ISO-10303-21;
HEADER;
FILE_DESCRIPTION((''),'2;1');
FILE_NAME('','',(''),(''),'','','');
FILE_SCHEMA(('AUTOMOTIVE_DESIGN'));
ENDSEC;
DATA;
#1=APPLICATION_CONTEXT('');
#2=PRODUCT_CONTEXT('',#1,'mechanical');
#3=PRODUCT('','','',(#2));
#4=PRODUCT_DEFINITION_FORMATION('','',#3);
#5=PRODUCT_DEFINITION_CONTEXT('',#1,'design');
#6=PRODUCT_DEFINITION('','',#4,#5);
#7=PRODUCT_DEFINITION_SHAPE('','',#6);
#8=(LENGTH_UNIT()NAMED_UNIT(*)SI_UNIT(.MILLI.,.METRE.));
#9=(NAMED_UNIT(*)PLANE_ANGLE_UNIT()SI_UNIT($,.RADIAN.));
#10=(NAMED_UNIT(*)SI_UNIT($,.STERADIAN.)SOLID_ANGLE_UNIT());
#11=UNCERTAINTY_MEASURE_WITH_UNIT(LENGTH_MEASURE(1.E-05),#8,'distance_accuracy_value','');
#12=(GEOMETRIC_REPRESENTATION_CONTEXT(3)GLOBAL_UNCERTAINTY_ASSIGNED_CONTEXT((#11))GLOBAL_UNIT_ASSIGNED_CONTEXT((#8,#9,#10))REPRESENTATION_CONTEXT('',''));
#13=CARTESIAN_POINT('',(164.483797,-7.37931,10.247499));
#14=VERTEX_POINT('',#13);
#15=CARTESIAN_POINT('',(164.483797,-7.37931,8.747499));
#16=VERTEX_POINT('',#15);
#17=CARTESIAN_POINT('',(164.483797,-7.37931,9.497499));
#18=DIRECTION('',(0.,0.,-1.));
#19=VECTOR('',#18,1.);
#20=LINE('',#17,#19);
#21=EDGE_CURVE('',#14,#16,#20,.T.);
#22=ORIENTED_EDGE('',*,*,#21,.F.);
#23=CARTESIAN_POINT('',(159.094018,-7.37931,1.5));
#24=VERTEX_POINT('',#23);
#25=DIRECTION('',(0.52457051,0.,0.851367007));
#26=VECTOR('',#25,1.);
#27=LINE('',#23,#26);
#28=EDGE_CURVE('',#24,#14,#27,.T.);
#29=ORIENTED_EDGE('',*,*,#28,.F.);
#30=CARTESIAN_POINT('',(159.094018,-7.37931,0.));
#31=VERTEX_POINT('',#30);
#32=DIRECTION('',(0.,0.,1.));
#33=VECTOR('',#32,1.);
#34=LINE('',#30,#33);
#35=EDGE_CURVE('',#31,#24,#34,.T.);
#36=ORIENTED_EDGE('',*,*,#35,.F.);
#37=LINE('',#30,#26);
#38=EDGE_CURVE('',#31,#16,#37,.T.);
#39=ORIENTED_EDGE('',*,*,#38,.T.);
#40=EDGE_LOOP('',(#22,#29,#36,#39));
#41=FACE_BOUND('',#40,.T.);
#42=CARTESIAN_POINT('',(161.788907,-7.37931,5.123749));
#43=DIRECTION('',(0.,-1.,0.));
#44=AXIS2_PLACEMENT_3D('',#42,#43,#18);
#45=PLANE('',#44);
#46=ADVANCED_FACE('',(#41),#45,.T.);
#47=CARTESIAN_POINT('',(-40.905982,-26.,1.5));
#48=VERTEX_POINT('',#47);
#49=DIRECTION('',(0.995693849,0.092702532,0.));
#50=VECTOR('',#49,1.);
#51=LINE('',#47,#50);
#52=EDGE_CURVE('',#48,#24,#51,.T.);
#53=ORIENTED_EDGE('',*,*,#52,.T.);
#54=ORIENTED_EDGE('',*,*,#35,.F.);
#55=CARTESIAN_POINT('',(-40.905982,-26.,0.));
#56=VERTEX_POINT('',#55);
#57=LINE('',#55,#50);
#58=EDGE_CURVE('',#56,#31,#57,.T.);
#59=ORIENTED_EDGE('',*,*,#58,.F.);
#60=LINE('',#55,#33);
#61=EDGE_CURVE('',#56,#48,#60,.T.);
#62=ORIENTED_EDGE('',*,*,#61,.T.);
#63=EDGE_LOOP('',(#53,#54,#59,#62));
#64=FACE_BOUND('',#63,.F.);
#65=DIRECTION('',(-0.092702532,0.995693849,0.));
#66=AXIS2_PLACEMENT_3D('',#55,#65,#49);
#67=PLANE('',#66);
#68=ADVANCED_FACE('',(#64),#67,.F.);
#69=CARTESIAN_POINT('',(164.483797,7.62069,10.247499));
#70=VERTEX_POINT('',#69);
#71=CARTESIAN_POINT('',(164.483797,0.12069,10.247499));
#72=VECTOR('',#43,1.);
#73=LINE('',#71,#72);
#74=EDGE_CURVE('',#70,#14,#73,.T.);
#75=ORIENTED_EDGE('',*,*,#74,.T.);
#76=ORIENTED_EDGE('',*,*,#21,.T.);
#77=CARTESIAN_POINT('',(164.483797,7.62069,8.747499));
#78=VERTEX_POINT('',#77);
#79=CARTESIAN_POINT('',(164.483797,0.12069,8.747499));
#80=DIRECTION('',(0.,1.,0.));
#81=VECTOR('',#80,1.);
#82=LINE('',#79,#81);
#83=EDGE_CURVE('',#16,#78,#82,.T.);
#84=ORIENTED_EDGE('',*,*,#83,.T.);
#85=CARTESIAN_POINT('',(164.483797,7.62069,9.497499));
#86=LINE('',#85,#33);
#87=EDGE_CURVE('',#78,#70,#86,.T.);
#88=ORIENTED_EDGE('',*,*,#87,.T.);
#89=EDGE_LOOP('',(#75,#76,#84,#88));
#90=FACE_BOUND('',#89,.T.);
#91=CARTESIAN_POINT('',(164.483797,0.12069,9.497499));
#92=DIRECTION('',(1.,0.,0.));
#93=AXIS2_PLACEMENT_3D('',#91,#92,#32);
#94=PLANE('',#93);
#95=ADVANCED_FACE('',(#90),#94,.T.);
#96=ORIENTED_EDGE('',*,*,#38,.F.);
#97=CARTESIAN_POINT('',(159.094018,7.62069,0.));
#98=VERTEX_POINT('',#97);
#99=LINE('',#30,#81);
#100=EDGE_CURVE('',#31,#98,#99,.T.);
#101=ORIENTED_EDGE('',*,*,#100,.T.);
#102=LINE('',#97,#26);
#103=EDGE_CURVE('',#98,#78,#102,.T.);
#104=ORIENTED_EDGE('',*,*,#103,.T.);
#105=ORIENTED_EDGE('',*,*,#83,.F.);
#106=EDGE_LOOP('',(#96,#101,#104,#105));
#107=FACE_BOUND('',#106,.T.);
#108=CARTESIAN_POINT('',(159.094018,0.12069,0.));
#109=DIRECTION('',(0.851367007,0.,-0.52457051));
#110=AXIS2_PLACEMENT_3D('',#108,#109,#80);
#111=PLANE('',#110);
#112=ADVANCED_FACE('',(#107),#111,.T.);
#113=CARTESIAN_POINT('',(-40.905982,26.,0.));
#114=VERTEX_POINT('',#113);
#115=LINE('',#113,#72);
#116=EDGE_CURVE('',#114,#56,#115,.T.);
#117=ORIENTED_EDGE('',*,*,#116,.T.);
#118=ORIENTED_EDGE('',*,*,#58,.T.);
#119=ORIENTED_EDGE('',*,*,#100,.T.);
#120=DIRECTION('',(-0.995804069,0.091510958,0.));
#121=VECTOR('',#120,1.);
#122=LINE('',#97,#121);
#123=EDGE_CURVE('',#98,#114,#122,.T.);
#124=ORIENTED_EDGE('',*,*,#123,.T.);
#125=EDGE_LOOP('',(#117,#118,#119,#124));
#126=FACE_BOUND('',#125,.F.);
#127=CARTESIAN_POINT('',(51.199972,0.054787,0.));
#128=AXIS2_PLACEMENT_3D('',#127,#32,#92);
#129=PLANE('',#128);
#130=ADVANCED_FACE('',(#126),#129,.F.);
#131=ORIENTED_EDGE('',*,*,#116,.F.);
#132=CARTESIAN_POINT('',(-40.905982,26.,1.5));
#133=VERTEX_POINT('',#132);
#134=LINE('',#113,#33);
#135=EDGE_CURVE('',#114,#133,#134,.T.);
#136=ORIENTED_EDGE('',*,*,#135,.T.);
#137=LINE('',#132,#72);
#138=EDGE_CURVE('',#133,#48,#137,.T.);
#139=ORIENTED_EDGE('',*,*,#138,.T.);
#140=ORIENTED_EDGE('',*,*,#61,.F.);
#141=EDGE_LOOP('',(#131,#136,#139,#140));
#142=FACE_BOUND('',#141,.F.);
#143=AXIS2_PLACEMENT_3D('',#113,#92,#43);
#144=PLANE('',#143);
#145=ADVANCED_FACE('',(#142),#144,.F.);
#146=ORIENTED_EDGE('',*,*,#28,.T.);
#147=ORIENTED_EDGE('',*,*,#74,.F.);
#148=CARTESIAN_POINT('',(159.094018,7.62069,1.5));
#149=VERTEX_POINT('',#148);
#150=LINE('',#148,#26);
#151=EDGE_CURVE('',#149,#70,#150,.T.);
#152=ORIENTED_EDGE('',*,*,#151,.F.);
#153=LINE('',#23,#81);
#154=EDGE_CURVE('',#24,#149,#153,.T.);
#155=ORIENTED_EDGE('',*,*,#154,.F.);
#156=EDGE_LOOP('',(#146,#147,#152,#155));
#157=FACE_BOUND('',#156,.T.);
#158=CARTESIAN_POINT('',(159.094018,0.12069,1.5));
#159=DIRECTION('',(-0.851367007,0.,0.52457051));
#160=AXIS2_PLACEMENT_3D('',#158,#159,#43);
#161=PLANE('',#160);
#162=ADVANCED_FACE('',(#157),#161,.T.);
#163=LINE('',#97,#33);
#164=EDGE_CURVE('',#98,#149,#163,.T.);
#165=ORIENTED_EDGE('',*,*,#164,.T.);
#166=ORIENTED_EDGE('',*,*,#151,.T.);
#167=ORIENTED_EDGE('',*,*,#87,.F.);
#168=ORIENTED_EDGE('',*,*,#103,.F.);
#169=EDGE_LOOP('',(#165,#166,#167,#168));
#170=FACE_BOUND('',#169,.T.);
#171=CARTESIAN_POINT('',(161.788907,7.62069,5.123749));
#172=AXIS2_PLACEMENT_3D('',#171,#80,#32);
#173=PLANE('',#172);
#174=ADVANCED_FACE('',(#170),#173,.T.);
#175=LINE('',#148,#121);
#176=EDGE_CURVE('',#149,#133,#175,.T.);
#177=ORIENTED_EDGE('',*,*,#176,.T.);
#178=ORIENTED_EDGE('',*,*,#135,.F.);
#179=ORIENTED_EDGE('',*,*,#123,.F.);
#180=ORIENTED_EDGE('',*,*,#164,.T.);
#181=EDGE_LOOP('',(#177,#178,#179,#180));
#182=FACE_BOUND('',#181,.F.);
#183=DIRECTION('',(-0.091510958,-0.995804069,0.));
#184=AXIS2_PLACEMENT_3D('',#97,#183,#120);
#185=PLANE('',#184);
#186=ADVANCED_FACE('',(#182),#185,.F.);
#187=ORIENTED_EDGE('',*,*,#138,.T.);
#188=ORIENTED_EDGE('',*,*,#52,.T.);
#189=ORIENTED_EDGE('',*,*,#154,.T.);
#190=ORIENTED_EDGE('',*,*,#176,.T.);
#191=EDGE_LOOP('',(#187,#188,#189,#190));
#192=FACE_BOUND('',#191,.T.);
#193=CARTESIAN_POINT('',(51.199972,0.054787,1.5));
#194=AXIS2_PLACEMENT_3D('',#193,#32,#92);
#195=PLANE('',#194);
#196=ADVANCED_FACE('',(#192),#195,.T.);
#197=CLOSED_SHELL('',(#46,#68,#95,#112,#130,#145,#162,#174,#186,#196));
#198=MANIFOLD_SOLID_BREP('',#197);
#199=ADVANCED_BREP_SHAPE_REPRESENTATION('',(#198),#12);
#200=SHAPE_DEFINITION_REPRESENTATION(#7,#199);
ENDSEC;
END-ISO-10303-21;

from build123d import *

# Parameters (mm, degrees)
F1_DEPTH  = 1.5
F1_FACE_W = 15
F1_FACE_H = 1.5


with BuildPart() as f1:
    # F0 (on Top) → F1 (new body)
    with BuildSketch(Plane.XY):
        Polygon((-40.905982, 26), (-40.905982, -26), (159.094018, -7.37931), (159.094018, 7.62069), align=None)
    extrude(amount=F1_DEPTH)

    # F3: sweep along a path in F2
    with BuildLine(Plane.XZ) as f3_path:
        Line((159.099758, 0), (164.489537, 8.747499))
    # F1_face (on face) → F3 (sweep)
    with BuildSketch(Plane(origin=(159.094018, 0.12069, 0.75), x_dir=(0, 1, 0), z_dir=(1, 0, 0))):
        Rectangle(F1_FACE_W, F1_FACE_H)
    sweep(path=f3_path.line)


solid = f1.part
